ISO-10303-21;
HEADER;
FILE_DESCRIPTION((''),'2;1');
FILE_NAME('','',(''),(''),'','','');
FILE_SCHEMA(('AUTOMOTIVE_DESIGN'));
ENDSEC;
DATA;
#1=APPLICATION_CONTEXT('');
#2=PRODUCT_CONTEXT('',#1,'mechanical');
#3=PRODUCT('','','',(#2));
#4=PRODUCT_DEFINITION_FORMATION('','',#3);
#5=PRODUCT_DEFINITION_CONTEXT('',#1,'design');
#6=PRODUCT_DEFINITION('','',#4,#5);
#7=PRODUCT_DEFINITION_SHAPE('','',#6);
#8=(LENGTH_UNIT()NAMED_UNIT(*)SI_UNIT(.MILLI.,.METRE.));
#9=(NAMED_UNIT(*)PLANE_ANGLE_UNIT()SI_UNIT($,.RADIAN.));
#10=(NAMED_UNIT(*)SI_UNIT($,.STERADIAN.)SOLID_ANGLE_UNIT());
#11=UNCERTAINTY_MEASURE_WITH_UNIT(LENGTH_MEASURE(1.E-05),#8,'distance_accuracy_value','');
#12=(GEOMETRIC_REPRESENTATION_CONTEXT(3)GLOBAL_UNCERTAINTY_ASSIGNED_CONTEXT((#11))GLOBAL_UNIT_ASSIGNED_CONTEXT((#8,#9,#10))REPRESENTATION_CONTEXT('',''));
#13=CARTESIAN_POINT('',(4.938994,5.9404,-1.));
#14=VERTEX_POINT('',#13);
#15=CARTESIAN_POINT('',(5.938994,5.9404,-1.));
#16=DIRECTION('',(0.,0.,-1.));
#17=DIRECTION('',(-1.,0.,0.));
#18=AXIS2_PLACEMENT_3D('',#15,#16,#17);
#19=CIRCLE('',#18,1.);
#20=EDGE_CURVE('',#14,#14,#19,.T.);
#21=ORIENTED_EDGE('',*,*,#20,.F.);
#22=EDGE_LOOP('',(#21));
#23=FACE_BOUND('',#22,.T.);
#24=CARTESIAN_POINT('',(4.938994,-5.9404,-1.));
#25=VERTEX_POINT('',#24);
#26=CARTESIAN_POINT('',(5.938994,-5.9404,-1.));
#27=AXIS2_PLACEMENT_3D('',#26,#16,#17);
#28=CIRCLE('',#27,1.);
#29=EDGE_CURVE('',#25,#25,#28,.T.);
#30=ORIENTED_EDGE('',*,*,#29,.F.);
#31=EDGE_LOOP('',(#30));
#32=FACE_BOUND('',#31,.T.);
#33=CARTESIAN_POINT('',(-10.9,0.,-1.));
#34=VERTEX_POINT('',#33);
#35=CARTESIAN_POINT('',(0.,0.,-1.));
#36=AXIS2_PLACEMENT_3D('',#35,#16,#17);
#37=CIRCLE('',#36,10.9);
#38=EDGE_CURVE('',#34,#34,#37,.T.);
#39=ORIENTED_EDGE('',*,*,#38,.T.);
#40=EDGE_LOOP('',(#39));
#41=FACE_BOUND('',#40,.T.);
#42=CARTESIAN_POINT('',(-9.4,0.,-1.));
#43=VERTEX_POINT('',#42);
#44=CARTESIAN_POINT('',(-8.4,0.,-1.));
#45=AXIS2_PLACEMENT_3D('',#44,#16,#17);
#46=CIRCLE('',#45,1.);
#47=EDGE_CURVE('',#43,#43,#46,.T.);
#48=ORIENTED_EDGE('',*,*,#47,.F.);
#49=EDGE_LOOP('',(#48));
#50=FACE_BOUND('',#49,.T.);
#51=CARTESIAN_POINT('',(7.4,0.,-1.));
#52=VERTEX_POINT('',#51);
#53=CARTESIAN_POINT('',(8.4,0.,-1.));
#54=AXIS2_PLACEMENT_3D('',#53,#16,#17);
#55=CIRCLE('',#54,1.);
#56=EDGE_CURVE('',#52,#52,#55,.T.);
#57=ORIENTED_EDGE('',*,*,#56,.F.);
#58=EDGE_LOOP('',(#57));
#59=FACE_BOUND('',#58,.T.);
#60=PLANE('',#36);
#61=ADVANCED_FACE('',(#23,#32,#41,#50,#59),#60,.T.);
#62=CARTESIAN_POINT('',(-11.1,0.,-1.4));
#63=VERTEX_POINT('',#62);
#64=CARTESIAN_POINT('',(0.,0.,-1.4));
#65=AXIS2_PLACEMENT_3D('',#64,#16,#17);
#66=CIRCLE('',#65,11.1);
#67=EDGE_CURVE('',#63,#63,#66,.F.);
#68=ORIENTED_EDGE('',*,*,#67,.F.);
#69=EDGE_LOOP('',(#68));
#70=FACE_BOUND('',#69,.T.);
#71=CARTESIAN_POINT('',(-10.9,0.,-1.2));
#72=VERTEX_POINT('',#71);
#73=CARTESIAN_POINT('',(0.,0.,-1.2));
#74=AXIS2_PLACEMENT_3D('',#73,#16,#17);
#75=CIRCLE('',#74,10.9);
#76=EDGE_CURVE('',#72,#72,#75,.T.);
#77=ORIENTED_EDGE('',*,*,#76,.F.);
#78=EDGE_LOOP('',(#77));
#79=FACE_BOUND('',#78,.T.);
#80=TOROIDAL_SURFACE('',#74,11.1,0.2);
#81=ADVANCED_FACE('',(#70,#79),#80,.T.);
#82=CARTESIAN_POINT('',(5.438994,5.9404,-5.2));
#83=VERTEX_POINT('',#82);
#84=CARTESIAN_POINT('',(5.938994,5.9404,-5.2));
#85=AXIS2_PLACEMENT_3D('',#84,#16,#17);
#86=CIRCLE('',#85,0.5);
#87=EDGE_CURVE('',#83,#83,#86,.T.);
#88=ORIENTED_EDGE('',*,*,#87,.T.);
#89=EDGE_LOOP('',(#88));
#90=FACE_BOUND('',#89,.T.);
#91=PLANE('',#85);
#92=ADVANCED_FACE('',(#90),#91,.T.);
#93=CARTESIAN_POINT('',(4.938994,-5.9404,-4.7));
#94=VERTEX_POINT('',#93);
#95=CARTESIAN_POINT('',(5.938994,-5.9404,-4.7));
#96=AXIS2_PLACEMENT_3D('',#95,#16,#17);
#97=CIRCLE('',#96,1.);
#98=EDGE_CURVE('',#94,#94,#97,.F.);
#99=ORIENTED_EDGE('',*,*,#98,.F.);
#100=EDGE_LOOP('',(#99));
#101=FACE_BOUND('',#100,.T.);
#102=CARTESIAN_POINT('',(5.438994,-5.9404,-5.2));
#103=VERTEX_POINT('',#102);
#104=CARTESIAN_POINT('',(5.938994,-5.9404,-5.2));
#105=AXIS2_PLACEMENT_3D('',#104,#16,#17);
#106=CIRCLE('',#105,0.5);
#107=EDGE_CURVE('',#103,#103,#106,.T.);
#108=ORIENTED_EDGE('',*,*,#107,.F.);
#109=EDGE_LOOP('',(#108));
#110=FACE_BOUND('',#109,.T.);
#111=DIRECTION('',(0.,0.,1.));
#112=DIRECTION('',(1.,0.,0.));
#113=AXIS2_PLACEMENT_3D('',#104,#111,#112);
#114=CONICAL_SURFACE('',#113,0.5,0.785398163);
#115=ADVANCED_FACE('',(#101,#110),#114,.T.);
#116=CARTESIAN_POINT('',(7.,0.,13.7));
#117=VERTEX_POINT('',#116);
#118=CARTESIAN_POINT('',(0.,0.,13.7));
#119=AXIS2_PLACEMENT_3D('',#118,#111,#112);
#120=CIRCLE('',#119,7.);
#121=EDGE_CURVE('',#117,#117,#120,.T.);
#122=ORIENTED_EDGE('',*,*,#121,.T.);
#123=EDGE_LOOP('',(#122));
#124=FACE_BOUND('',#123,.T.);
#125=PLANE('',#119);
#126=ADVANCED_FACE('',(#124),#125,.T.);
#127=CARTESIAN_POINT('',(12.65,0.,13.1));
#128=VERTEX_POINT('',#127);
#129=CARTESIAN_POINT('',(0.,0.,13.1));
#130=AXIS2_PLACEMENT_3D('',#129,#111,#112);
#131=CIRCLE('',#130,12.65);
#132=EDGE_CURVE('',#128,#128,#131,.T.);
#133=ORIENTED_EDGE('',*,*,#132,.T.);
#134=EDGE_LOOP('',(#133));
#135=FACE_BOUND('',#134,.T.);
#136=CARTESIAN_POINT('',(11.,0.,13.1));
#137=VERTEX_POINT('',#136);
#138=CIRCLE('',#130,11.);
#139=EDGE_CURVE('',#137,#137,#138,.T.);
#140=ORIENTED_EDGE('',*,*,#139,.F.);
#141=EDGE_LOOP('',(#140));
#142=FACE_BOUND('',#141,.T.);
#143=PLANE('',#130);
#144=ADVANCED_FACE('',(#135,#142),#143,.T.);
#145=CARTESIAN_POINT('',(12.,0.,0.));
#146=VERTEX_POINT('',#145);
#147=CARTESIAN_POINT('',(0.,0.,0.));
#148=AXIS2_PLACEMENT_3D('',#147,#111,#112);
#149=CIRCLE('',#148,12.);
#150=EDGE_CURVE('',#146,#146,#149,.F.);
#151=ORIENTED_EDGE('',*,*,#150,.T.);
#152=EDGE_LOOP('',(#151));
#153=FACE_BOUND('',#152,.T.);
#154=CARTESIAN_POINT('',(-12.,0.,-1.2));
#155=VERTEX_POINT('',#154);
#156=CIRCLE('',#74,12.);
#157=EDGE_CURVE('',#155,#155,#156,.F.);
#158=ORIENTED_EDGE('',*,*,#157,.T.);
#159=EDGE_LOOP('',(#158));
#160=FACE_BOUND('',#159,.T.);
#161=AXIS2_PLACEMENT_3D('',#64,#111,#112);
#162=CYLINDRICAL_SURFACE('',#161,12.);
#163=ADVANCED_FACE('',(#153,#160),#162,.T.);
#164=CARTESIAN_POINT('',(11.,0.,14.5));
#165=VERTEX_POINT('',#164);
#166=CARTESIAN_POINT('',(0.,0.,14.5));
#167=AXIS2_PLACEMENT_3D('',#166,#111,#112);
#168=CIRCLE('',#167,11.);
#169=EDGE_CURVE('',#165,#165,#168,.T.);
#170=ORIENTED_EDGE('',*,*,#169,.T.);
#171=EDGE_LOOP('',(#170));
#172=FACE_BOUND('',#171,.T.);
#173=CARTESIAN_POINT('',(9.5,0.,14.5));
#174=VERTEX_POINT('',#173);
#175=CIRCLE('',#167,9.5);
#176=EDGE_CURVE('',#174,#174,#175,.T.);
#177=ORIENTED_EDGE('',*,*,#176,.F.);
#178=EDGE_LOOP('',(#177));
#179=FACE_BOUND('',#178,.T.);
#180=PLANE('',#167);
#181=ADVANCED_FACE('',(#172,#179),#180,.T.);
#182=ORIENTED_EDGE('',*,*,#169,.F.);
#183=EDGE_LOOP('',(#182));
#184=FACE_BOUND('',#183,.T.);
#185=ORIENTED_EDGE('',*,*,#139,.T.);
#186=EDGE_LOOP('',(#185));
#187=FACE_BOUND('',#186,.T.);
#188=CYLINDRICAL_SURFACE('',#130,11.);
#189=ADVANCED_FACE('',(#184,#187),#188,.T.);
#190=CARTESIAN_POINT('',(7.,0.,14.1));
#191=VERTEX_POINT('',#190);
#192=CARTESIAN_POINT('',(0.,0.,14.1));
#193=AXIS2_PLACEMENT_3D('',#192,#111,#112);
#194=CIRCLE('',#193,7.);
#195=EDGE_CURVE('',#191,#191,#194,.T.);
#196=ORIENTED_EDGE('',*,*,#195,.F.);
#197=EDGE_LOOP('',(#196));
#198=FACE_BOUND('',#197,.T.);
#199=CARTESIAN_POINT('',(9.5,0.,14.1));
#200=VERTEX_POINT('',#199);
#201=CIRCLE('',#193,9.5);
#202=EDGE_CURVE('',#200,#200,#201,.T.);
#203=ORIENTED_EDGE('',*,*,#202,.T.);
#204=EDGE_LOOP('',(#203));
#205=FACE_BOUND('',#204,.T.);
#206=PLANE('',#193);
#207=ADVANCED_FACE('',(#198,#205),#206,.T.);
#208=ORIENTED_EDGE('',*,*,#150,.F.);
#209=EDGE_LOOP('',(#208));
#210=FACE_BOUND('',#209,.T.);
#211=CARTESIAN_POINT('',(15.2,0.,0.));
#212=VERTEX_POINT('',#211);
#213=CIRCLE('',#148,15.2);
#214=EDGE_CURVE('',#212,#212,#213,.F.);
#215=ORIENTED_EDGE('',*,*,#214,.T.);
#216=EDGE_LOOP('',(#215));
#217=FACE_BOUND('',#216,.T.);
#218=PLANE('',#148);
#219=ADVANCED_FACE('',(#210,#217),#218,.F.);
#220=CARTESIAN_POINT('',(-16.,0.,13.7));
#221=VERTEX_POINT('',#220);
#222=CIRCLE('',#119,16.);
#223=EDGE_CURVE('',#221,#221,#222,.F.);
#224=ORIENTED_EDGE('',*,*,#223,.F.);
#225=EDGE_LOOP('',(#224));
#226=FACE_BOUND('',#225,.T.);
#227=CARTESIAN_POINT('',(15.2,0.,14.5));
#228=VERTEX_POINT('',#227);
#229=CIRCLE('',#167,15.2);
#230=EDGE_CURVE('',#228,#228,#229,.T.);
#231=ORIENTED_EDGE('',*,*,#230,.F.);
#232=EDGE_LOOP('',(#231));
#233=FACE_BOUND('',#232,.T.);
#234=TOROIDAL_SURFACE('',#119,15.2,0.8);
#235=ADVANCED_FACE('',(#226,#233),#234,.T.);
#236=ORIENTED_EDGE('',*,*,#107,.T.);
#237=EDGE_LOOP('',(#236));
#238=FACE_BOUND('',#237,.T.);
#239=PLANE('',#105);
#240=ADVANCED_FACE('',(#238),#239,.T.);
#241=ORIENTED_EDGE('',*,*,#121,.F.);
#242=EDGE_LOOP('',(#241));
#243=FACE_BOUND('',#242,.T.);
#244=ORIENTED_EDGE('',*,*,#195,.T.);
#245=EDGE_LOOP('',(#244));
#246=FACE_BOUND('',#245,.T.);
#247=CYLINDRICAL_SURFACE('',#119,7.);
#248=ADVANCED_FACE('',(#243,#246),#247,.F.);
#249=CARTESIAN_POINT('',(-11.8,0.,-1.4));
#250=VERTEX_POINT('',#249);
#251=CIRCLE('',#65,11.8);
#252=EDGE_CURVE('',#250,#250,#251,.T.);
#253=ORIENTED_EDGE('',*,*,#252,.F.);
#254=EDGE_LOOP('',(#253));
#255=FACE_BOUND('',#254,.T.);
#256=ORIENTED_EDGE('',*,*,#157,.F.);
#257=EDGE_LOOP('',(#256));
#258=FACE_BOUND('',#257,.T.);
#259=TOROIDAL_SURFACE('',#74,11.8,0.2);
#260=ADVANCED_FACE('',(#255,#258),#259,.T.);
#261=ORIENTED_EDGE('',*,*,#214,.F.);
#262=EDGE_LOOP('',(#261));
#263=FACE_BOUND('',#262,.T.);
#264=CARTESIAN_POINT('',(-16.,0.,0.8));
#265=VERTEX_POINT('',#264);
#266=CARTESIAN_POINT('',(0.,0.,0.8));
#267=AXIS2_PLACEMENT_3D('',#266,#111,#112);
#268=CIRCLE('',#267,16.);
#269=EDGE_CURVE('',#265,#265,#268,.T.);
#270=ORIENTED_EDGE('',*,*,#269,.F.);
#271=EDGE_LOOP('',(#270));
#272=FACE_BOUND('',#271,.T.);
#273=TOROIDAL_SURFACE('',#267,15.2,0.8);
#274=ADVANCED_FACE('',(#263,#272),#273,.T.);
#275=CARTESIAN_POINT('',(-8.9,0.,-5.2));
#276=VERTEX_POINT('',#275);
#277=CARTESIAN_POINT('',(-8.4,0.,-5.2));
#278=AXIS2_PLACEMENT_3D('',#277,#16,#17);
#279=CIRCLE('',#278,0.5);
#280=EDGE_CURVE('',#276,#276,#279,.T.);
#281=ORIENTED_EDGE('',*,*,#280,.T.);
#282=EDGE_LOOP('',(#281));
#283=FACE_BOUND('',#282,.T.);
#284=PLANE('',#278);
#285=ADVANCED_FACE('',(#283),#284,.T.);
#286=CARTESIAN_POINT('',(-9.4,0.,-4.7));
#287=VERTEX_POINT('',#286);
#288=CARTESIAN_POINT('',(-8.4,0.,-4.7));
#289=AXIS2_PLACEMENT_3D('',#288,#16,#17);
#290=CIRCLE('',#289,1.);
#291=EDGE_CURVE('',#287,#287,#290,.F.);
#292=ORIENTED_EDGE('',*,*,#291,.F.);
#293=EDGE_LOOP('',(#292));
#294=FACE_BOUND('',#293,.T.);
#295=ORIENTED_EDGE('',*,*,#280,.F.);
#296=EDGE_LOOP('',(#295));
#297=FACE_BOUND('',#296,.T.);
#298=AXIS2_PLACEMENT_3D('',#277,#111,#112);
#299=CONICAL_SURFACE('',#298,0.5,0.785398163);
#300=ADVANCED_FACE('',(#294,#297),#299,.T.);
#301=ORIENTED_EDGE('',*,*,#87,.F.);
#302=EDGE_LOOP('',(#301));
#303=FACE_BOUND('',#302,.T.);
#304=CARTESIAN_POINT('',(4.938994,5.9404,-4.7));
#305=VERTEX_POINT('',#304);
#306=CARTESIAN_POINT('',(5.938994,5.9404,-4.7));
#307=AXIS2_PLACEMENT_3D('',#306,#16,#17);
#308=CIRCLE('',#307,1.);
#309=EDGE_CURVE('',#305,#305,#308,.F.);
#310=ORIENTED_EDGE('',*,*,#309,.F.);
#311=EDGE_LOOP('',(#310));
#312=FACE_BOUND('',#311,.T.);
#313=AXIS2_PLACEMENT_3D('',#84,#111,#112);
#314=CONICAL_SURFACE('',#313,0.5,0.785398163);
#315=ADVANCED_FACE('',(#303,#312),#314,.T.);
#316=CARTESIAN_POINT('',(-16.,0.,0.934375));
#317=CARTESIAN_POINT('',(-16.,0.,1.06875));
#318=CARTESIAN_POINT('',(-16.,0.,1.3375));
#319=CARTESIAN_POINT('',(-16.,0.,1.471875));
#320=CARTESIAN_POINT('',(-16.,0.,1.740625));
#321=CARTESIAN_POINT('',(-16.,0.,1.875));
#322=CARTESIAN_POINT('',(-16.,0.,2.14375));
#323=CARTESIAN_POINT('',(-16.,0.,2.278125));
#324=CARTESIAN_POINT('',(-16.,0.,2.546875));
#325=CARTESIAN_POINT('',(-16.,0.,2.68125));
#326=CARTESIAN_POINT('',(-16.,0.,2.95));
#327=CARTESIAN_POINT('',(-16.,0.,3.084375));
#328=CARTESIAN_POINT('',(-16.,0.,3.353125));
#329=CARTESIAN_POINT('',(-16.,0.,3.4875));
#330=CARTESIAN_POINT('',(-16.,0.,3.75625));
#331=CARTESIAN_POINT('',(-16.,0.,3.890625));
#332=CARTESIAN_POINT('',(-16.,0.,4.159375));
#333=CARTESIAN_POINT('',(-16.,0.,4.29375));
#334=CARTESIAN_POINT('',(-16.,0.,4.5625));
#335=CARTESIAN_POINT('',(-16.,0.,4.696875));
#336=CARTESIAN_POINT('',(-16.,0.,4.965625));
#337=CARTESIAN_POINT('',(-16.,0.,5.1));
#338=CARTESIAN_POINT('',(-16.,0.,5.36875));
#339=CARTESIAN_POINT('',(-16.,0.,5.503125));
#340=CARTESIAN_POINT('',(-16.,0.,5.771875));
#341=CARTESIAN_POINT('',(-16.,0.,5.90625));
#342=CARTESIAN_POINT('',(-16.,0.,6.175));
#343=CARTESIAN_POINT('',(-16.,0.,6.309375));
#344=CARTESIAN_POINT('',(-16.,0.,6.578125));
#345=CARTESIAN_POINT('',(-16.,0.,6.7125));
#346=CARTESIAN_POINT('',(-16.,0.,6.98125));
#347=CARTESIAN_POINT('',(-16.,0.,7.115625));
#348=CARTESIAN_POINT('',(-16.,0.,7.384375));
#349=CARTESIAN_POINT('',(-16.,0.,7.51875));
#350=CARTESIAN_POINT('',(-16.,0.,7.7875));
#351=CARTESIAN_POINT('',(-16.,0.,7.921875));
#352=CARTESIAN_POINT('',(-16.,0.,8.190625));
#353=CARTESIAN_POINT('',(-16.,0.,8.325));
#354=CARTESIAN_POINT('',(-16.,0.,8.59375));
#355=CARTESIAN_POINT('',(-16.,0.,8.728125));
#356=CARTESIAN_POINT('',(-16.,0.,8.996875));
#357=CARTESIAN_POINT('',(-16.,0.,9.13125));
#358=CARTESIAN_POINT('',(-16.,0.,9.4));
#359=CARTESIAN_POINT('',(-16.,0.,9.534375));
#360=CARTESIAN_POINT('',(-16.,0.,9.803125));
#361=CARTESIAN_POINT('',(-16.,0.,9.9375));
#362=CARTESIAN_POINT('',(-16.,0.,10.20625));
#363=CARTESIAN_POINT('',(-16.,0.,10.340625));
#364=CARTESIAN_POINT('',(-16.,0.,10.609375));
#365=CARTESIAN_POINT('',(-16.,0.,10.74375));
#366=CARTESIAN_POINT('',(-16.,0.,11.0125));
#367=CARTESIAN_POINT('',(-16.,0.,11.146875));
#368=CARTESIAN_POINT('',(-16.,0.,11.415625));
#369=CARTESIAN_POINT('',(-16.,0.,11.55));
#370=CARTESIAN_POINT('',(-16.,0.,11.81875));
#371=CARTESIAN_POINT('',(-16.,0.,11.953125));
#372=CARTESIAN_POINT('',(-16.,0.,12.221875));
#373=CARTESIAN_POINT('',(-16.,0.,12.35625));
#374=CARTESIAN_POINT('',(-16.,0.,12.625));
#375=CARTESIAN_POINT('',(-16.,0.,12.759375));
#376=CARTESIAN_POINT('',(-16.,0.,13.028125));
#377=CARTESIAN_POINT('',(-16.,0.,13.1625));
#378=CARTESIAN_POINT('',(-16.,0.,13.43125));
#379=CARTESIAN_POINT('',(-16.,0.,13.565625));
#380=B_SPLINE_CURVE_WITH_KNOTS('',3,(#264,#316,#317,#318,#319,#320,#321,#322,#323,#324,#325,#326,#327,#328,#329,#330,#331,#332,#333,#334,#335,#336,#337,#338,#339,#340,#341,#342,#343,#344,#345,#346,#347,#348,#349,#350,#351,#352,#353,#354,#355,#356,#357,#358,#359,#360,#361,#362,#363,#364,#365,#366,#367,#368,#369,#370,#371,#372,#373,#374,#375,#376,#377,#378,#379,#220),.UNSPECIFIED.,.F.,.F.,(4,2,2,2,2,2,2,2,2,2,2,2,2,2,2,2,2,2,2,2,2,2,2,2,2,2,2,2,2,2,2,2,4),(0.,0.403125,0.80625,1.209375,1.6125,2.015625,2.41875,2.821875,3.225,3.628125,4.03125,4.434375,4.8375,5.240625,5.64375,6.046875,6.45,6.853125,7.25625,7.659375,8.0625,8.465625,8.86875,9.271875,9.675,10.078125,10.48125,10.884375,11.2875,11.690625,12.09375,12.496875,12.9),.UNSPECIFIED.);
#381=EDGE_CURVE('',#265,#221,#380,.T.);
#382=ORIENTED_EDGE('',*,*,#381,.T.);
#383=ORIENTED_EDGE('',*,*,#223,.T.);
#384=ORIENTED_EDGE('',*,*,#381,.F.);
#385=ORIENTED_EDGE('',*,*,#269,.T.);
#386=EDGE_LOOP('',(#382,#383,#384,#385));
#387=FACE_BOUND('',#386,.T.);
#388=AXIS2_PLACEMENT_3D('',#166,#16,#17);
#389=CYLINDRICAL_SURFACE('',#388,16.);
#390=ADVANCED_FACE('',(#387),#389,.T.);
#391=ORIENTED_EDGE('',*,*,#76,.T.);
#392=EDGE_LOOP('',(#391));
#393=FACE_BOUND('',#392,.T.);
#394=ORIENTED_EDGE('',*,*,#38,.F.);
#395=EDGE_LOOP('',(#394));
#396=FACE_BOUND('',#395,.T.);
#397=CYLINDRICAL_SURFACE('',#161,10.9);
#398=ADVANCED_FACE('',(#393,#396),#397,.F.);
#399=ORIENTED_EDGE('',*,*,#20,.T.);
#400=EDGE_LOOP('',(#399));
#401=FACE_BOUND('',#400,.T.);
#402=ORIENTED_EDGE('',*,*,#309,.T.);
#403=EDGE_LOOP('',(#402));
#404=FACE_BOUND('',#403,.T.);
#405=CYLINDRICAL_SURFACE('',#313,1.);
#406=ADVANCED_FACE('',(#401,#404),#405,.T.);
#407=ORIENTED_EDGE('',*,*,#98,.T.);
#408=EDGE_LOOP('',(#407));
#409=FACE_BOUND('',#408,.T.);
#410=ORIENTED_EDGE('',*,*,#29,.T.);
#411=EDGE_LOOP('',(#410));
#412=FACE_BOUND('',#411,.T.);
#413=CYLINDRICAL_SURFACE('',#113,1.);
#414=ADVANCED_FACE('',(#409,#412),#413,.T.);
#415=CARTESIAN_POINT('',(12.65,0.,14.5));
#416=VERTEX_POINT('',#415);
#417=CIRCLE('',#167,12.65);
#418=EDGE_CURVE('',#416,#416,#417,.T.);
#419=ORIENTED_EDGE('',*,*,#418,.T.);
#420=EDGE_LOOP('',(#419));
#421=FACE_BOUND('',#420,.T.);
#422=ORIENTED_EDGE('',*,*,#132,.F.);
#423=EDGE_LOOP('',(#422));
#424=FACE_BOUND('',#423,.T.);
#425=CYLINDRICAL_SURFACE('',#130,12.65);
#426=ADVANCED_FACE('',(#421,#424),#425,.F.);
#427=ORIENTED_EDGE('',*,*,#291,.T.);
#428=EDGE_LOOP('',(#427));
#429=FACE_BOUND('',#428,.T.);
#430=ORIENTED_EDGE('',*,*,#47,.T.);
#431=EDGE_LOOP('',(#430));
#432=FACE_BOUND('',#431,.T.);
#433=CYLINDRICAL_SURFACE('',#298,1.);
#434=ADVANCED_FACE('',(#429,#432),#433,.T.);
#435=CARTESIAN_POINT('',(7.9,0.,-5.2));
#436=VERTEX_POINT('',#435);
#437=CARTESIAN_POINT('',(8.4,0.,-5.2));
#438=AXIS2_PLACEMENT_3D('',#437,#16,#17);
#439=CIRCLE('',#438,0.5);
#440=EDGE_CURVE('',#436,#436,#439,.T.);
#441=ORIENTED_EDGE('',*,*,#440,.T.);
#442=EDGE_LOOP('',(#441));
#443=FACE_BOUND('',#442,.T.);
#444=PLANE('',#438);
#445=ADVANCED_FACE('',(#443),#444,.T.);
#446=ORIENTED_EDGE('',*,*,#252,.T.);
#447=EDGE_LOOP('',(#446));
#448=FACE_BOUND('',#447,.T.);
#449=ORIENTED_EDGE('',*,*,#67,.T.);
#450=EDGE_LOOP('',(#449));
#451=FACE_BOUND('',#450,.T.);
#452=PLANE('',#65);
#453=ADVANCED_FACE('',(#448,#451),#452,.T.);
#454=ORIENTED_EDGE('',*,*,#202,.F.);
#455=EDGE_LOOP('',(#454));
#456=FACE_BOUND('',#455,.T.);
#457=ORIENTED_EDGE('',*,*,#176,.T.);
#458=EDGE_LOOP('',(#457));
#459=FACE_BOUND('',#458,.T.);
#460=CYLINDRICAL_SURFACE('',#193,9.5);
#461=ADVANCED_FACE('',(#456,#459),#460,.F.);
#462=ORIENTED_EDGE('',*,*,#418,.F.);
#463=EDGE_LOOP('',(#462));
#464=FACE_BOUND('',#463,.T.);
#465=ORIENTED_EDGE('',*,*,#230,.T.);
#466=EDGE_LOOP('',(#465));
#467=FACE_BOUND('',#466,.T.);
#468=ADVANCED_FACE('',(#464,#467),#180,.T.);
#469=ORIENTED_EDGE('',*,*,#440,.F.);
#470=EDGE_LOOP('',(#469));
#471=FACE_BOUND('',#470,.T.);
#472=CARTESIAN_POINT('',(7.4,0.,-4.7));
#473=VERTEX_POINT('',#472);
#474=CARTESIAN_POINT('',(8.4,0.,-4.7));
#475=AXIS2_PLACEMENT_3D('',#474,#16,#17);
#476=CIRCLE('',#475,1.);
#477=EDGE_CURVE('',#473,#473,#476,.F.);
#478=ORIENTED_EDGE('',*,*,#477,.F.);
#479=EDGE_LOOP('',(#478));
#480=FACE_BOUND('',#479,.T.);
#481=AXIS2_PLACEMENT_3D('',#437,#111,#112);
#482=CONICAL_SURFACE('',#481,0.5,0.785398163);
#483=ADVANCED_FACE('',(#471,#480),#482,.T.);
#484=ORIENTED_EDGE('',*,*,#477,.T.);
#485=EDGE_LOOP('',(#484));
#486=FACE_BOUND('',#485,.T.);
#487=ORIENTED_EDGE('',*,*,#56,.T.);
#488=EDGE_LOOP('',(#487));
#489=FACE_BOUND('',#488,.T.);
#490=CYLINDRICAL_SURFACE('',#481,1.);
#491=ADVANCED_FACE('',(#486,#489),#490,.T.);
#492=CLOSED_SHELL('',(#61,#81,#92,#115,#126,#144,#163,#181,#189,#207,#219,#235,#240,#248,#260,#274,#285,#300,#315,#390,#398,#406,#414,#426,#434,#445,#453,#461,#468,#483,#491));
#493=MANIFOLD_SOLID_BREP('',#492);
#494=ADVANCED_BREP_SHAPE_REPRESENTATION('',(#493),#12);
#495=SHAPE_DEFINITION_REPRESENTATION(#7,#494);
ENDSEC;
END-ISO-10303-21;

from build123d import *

# Parameters (mm, degrees)
SKETCH_1_R          = 16
EXTRUDE_1_DEPTH     = 14.5
SKETCH_2_R          = 12
SKETCH_2_R_2        = 10.9
EXTRUDE_2_DEPTH     = 1.4
SKETCH_3_R          = 10.9
EXTRUDE_3_DEPTH     = 1
SKETCH_4_R          = 12.65
SKETCH_4_R_2        = 11
CUT_EXTRUDE_1_DEPTH = 1.4
SKETCH_5_R          = 9.5
CUT_EXTRUDE_2_DEPTH = 0.4
SKETCH_6_R          = 7
CUT_EXTRUDE_3_DEPTH = 0.4
SKETCH_7_R          = 1
EXTRUDE_4_DEPTH     = 4.2
CHAMFER_1_SIZE      = 0.5
FILLET_1_R          = 0.8
FILLET_2_R          = 0.2


with BuildPart() as part:
    # Эскиз1 → Бобышка-Вытянуть1 (new body)
    with BuildSketch(Plane.XY):
        with Locations(Location((0, 0, 0), (0, 0, 180))):
            Circle(SKETCH_1_R)
    extrude(amount=EXTRUDE_1_DEPTH)

    # Эскиз2 → Бобышка-Вытянуть2 (add)
    with BuildSketch(Plane(origin=(0, 0, 0), x_dir=(-1, 0, 0), z_dir=(0, 0, -1))):
        with Locations(Location((0, 0, 0), (0, 0, 180))):
            Circle(SKETCH_2_R)
        Circle(SKETCH_2_R_2, mode=Mode.SUBTRACT)
    extrude(amount=EXTRUDE_2_DEPTH)

    # Эскиз3 → Бобышка-Вытянуть3 (add)
    with BuildSketch(Plane(origin=(0, 0, 0), x_dir=(-1, 0, 0), z_dir=(0, 0, -1))):
        Circle(SKETCH_3_R)
    extrude(amount=EXTRUDE_3_DEPTH)

    # Эскиз4 → Вырез-Вытянуть1 (cut)
    with BuildSketch(Plane.XY.offset(14.5)):
        Circle(SKETCH_4_R)
        Circle(SKETCH_4_R_2, mode=Mode.SUBTRACT)
    extrude(amount=-CUT_EXTRUDE_1_DEPTH, mode=Mode.SUBTRACT)

    # Эскиз5 → Вырез-Вытянуть2 (cut)
    with BuildSketch(Plane.XY.offset(14.5)):
        Circle(SKETCH_5_R)
    extrude(amount=-CUT_EXTRUDE_2_DEPTH, mode=Mode.SUBTRACT)

    # Эскиз6 → Вырез-Вытянуть3 (cut)
    with BuildSketch(Plane.XY.offset(14.1)):
        Circle(SKETCH_6_R)
    extrude(amount=-CUT_EXTRUDE_3_DEPTH, mode=Mode.SUBTRACT)

    # Эскиз7 → Бобышка-Вытянуть4 (add)
    with BuildSketch(Plane(origin=(0, 0, -1), x_dir=(-1, 0, 0), z_dir=(0, 0, -1))):
        with Locations((-8.4, 0)):
            Circle(SKETCH_7_R)
        with Locations((8.4, 0)):
            Circle(SKETCH_7_R)
        with Locations((-5.938994048, -5.940399793)):
            Circle(SKETCH_7_R)
        with Locations((-5.938994048, 5.940399793)):
            Circle(SKETCH_7_R)
    extrude(amount=EXTRUDE_4_DEPTH)

    # Фаска1
    chamfer_1_edges = [part.edges().sort_by_distance(p)[0] for p in [
        (9.4, 0, -5.2),
        (-7.4, 0, -5.2),
        (6.938994048, -5.940399793, -5.2),
        (6.938994048, 5.940399793, -5.2),
    ]]
    chamfer(chamfer_1_edges, length=CHAMFER_1_SIZE)

    # Скругление1
    fillet_1_edges = [part.edges().sort_by_distance(p)[0] for p in [
        (16, 0, 0),
        (16, 0, 14.5),
    ]]
    fillet(fillet_1_edges, radius=FILLET_1_R)

    # Скругление2
    fillet_2_edges = [part.edges().sort_by_distance(p)[0] for p in [
        (-12, 0, -1.4),
        (10.9, 0, -1.4),
    ]]
    fillet(fillet_2_edges, radius=FILLET_2_R)


solid = part.part
